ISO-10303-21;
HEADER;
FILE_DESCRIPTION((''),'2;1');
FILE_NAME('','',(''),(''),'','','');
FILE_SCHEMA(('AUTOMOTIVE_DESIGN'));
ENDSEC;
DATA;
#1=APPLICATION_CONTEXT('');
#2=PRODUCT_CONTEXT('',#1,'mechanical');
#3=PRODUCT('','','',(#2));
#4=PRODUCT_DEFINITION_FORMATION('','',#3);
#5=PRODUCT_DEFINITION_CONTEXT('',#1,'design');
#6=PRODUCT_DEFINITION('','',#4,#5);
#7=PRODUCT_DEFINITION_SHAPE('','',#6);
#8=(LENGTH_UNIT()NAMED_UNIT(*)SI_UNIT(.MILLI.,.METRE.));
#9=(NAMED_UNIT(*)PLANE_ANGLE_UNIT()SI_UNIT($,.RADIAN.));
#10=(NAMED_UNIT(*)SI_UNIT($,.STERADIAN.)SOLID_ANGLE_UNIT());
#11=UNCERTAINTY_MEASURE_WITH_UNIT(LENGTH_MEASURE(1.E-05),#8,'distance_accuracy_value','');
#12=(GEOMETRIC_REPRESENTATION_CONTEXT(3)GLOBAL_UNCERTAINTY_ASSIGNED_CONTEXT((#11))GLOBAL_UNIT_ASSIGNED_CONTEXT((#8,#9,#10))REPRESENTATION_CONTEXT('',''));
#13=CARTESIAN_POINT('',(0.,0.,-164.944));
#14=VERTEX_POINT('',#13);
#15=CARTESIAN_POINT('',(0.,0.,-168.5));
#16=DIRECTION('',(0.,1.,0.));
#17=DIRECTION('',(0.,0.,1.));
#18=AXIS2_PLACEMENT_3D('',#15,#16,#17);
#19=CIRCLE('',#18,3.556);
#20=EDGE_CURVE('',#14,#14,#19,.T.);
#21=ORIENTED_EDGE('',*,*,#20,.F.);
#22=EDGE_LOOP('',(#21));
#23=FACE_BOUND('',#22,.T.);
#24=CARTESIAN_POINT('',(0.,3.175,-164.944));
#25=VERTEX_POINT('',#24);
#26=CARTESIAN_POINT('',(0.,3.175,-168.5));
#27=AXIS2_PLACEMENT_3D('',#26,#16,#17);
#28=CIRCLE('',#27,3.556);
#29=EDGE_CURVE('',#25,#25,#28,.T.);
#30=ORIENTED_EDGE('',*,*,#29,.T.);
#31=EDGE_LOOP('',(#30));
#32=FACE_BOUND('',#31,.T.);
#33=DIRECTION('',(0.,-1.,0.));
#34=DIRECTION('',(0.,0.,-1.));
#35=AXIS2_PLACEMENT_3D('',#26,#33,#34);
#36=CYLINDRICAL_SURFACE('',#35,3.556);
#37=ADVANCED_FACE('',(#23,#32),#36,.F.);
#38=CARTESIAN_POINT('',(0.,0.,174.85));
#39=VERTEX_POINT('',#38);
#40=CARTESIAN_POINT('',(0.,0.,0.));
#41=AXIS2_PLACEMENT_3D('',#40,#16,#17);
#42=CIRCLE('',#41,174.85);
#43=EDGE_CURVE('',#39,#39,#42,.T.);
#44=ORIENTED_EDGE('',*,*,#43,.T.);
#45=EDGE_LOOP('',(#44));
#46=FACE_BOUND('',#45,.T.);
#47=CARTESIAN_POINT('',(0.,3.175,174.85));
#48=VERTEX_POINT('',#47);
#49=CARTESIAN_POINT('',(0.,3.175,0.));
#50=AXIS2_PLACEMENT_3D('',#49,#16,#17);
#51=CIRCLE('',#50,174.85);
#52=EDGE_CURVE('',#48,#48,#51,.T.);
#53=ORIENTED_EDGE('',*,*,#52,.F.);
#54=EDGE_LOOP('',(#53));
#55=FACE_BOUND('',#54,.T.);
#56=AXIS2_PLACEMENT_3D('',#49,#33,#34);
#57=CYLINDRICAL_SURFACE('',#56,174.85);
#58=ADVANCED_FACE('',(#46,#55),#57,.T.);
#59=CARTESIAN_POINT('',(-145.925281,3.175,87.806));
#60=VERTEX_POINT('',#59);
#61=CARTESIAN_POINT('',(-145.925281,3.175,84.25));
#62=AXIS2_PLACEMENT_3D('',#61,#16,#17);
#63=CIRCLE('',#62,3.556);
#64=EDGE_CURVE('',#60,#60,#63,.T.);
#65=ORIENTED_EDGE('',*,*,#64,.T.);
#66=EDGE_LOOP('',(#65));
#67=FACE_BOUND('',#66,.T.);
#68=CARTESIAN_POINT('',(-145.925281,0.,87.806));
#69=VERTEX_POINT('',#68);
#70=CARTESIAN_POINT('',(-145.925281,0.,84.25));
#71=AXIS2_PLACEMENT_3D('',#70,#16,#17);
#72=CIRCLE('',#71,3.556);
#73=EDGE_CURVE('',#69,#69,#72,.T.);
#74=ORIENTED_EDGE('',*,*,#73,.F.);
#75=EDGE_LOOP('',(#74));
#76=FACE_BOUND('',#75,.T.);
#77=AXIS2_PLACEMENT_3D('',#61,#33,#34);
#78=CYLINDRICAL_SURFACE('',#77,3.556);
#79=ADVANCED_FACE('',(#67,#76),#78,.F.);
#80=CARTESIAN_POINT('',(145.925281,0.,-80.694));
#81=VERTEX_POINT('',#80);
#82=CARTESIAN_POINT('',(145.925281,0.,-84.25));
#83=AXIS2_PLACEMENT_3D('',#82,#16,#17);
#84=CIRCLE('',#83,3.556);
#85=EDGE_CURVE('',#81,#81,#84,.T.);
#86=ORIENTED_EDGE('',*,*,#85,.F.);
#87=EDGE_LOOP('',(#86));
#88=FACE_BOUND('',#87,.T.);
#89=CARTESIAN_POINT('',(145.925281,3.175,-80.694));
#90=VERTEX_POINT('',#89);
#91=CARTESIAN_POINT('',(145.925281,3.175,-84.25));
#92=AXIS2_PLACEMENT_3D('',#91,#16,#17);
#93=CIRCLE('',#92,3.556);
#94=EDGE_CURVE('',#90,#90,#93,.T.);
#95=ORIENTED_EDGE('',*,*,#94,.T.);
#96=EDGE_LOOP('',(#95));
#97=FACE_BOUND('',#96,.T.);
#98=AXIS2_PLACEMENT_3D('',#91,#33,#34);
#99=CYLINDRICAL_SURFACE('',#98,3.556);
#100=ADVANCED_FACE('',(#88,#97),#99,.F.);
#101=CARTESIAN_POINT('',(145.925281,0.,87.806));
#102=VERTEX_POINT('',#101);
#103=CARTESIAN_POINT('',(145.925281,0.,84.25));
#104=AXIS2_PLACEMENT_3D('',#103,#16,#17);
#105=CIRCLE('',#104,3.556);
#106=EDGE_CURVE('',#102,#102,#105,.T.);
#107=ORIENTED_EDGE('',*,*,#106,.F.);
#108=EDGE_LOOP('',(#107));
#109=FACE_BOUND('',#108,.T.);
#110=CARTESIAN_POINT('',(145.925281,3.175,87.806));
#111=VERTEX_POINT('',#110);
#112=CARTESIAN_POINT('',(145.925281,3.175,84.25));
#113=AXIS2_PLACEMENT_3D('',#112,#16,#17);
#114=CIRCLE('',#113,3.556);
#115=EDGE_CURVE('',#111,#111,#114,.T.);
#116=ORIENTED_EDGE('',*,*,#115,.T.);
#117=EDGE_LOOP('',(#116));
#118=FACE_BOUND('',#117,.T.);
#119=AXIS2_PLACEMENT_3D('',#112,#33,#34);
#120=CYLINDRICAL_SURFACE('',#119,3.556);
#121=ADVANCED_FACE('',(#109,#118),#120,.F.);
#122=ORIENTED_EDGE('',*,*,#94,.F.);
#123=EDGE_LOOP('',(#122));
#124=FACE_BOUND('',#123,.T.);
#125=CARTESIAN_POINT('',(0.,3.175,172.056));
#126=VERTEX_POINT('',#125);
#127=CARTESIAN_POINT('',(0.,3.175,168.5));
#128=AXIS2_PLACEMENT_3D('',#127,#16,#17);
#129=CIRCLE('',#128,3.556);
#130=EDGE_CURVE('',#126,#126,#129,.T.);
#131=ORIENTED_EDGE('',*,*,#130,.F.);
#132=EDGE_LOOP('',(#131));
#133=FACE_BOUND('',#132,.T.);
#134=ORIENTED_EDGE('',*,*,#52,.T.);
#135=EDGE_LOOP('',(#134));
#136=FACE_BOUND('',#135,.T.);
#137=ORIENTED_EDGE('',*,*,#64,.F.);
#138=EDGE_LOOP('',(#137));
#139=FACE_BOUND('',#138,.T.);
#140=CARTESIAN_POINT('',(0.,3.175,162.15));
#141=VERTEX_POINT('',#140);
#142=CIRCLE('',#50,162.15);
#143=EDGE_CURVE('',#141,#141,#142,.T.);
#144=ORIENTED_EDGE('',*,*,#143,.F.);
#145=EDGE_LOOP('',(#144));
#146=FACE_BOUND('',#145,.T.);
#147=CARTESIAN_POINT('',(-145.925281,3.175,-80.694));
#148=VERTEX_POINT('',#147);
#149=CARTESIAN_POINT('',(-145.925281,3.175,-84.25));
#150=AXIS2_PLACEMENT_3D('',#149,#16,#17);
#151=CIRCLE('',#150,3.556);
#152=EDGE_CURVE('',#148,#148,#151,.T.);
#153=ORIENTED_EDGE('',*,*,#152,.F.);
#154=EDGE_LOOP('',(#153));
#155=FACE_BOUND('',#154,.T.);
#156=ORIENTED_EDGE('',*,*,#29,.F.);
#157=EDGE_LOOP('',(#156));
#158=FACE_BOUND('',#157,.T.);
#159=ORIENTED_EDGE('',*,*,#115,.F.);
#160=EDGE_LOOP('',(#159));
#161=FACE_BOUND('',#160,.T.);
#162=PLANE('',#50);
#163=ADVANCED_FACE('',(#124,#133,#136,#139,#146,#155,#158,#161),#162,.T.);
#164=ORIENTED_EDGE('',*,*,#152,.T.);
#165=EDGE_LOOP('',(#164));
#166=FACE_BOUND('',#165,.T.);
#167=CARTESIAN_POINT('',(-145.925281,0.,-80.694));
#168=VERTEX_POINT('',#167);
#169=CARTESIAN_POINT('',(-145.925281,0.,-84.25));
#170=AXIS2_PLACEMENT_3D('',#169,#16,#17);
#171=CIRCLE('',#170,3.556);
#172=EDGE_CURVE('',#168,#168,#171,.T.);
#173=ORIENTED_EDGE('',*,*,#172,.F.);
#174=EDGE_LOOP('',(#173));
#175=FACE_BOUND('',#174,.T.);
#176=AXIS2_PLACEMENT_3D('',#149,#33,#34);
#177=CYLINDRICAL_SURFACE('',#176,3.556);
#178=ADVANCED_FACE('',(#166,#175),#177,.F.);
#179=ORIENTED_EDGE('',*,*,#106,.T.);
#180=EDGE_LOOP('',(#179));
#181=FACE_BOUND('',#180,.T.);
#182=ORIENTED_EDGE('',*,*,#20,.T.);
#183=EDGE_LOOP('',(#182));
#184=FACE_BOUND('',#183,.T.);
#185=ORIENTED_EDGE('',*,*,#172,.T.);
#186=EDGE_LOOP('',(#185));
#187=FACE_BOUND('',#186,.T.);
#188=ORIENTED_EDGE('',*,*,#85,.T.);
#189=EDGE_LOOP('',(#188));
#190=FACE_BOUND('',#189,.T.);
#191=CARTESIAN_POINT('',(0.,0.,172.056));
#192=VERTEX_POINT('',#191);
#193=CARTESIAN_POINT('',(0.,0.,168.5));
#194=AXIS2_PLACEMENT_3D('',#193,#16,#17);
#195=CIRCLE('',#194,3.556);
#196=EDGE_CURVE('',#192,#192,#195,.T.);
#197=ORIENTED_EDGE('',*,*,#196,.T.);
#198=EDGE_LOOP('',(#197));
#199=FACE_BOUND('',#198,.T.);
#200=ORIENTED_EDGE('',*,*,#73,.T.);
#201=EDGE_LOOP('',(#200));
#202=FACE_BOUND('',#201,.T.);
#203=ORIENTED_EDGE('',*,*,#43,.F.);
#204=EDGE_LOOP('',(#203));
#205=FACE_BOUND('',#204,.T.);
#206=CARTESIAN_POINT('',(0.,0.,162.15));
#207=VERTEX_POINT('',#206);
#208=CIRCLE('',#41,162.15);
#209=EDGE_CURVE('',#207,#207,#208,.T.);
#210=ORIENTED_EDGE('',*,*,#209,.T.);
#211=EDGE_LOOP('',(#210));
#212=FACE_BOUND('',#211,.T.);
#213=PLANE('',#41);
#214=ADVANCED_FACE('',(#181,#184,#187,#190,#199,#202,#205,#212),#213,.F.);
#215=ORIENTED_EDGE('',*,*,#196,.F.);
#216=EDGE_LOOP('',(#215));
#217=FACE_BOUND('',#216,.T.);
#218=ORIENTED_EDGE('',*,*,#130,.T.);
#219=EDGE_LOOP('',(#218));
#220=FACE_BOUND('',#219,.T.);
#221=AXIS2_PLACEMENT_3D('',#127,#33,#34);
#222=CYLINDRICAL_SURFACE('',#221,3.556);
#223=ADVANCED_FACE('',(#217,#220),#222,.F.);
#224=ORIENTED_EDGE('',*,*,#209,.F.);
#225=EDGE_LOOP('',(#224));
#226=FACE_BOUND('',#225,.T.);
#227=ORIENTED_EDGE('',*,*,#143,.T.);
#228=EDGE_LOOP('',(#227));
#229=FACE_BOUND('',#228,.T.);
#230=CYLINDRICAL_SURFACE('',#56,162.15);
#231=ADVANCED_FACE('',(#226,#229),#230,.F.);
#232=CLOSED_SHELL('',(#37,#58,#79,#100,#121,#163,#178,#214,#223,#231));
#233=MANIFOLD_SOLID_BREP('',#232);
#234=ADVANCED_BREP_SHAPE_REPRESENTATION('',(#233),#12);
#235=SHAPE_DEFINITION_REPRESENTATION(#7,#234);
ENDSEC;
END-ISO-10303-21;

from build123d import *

# Parameters (mm, degrees)
SKETCH1_R           = 174.85
SKETCH1_R_2         = 3.556
SKETCH1_R_3         = 162.15
BOSS_EXTRUDE1_DEPTH = 3.175


with BuildPart() as part:
    # Sketch1 → Boss-Extrude1 (new body)
    with BuildSketch(Plane(origin=(0, 0, 0), x_dir=(1, 0, 0), z_dir=(0, 1, 0))):
        Circle(SKETCH1_R)
        with Locations((0, 168.5)):
            Circle(SKETCH1_R_2, mode=Mode.SUBTRACT)
        with Locations((145.925280538, 84.25)):
            Circle(SKETCH1_R_2, mode=Mode.SUBTRACT)
        with Locations((145.925280538, -84.25)):
            Circle(SKETCH1_R_2, mode=Mode.SUBTRACT)
        with Locations((0, -168.5)):
            Circle(SKETCH1_R_2, mode=Mode.SUBTRACT)
        with Locations((-145.925280538, -84.25)):
            Circle(SKETCH1_R_2, mode=Mode.SUBTRACT)
        with Locations((-145.925280538, 84.25)):
            Circle(SKETCH1_R_2, mode=Mode.SUBTRACT)
        Circle(SKETCH1_R_3, mode=Mode.SUBTRACT)
    extrude(amount=BOSS_EXTRUDE1_DEPTH)


solid = part.part
